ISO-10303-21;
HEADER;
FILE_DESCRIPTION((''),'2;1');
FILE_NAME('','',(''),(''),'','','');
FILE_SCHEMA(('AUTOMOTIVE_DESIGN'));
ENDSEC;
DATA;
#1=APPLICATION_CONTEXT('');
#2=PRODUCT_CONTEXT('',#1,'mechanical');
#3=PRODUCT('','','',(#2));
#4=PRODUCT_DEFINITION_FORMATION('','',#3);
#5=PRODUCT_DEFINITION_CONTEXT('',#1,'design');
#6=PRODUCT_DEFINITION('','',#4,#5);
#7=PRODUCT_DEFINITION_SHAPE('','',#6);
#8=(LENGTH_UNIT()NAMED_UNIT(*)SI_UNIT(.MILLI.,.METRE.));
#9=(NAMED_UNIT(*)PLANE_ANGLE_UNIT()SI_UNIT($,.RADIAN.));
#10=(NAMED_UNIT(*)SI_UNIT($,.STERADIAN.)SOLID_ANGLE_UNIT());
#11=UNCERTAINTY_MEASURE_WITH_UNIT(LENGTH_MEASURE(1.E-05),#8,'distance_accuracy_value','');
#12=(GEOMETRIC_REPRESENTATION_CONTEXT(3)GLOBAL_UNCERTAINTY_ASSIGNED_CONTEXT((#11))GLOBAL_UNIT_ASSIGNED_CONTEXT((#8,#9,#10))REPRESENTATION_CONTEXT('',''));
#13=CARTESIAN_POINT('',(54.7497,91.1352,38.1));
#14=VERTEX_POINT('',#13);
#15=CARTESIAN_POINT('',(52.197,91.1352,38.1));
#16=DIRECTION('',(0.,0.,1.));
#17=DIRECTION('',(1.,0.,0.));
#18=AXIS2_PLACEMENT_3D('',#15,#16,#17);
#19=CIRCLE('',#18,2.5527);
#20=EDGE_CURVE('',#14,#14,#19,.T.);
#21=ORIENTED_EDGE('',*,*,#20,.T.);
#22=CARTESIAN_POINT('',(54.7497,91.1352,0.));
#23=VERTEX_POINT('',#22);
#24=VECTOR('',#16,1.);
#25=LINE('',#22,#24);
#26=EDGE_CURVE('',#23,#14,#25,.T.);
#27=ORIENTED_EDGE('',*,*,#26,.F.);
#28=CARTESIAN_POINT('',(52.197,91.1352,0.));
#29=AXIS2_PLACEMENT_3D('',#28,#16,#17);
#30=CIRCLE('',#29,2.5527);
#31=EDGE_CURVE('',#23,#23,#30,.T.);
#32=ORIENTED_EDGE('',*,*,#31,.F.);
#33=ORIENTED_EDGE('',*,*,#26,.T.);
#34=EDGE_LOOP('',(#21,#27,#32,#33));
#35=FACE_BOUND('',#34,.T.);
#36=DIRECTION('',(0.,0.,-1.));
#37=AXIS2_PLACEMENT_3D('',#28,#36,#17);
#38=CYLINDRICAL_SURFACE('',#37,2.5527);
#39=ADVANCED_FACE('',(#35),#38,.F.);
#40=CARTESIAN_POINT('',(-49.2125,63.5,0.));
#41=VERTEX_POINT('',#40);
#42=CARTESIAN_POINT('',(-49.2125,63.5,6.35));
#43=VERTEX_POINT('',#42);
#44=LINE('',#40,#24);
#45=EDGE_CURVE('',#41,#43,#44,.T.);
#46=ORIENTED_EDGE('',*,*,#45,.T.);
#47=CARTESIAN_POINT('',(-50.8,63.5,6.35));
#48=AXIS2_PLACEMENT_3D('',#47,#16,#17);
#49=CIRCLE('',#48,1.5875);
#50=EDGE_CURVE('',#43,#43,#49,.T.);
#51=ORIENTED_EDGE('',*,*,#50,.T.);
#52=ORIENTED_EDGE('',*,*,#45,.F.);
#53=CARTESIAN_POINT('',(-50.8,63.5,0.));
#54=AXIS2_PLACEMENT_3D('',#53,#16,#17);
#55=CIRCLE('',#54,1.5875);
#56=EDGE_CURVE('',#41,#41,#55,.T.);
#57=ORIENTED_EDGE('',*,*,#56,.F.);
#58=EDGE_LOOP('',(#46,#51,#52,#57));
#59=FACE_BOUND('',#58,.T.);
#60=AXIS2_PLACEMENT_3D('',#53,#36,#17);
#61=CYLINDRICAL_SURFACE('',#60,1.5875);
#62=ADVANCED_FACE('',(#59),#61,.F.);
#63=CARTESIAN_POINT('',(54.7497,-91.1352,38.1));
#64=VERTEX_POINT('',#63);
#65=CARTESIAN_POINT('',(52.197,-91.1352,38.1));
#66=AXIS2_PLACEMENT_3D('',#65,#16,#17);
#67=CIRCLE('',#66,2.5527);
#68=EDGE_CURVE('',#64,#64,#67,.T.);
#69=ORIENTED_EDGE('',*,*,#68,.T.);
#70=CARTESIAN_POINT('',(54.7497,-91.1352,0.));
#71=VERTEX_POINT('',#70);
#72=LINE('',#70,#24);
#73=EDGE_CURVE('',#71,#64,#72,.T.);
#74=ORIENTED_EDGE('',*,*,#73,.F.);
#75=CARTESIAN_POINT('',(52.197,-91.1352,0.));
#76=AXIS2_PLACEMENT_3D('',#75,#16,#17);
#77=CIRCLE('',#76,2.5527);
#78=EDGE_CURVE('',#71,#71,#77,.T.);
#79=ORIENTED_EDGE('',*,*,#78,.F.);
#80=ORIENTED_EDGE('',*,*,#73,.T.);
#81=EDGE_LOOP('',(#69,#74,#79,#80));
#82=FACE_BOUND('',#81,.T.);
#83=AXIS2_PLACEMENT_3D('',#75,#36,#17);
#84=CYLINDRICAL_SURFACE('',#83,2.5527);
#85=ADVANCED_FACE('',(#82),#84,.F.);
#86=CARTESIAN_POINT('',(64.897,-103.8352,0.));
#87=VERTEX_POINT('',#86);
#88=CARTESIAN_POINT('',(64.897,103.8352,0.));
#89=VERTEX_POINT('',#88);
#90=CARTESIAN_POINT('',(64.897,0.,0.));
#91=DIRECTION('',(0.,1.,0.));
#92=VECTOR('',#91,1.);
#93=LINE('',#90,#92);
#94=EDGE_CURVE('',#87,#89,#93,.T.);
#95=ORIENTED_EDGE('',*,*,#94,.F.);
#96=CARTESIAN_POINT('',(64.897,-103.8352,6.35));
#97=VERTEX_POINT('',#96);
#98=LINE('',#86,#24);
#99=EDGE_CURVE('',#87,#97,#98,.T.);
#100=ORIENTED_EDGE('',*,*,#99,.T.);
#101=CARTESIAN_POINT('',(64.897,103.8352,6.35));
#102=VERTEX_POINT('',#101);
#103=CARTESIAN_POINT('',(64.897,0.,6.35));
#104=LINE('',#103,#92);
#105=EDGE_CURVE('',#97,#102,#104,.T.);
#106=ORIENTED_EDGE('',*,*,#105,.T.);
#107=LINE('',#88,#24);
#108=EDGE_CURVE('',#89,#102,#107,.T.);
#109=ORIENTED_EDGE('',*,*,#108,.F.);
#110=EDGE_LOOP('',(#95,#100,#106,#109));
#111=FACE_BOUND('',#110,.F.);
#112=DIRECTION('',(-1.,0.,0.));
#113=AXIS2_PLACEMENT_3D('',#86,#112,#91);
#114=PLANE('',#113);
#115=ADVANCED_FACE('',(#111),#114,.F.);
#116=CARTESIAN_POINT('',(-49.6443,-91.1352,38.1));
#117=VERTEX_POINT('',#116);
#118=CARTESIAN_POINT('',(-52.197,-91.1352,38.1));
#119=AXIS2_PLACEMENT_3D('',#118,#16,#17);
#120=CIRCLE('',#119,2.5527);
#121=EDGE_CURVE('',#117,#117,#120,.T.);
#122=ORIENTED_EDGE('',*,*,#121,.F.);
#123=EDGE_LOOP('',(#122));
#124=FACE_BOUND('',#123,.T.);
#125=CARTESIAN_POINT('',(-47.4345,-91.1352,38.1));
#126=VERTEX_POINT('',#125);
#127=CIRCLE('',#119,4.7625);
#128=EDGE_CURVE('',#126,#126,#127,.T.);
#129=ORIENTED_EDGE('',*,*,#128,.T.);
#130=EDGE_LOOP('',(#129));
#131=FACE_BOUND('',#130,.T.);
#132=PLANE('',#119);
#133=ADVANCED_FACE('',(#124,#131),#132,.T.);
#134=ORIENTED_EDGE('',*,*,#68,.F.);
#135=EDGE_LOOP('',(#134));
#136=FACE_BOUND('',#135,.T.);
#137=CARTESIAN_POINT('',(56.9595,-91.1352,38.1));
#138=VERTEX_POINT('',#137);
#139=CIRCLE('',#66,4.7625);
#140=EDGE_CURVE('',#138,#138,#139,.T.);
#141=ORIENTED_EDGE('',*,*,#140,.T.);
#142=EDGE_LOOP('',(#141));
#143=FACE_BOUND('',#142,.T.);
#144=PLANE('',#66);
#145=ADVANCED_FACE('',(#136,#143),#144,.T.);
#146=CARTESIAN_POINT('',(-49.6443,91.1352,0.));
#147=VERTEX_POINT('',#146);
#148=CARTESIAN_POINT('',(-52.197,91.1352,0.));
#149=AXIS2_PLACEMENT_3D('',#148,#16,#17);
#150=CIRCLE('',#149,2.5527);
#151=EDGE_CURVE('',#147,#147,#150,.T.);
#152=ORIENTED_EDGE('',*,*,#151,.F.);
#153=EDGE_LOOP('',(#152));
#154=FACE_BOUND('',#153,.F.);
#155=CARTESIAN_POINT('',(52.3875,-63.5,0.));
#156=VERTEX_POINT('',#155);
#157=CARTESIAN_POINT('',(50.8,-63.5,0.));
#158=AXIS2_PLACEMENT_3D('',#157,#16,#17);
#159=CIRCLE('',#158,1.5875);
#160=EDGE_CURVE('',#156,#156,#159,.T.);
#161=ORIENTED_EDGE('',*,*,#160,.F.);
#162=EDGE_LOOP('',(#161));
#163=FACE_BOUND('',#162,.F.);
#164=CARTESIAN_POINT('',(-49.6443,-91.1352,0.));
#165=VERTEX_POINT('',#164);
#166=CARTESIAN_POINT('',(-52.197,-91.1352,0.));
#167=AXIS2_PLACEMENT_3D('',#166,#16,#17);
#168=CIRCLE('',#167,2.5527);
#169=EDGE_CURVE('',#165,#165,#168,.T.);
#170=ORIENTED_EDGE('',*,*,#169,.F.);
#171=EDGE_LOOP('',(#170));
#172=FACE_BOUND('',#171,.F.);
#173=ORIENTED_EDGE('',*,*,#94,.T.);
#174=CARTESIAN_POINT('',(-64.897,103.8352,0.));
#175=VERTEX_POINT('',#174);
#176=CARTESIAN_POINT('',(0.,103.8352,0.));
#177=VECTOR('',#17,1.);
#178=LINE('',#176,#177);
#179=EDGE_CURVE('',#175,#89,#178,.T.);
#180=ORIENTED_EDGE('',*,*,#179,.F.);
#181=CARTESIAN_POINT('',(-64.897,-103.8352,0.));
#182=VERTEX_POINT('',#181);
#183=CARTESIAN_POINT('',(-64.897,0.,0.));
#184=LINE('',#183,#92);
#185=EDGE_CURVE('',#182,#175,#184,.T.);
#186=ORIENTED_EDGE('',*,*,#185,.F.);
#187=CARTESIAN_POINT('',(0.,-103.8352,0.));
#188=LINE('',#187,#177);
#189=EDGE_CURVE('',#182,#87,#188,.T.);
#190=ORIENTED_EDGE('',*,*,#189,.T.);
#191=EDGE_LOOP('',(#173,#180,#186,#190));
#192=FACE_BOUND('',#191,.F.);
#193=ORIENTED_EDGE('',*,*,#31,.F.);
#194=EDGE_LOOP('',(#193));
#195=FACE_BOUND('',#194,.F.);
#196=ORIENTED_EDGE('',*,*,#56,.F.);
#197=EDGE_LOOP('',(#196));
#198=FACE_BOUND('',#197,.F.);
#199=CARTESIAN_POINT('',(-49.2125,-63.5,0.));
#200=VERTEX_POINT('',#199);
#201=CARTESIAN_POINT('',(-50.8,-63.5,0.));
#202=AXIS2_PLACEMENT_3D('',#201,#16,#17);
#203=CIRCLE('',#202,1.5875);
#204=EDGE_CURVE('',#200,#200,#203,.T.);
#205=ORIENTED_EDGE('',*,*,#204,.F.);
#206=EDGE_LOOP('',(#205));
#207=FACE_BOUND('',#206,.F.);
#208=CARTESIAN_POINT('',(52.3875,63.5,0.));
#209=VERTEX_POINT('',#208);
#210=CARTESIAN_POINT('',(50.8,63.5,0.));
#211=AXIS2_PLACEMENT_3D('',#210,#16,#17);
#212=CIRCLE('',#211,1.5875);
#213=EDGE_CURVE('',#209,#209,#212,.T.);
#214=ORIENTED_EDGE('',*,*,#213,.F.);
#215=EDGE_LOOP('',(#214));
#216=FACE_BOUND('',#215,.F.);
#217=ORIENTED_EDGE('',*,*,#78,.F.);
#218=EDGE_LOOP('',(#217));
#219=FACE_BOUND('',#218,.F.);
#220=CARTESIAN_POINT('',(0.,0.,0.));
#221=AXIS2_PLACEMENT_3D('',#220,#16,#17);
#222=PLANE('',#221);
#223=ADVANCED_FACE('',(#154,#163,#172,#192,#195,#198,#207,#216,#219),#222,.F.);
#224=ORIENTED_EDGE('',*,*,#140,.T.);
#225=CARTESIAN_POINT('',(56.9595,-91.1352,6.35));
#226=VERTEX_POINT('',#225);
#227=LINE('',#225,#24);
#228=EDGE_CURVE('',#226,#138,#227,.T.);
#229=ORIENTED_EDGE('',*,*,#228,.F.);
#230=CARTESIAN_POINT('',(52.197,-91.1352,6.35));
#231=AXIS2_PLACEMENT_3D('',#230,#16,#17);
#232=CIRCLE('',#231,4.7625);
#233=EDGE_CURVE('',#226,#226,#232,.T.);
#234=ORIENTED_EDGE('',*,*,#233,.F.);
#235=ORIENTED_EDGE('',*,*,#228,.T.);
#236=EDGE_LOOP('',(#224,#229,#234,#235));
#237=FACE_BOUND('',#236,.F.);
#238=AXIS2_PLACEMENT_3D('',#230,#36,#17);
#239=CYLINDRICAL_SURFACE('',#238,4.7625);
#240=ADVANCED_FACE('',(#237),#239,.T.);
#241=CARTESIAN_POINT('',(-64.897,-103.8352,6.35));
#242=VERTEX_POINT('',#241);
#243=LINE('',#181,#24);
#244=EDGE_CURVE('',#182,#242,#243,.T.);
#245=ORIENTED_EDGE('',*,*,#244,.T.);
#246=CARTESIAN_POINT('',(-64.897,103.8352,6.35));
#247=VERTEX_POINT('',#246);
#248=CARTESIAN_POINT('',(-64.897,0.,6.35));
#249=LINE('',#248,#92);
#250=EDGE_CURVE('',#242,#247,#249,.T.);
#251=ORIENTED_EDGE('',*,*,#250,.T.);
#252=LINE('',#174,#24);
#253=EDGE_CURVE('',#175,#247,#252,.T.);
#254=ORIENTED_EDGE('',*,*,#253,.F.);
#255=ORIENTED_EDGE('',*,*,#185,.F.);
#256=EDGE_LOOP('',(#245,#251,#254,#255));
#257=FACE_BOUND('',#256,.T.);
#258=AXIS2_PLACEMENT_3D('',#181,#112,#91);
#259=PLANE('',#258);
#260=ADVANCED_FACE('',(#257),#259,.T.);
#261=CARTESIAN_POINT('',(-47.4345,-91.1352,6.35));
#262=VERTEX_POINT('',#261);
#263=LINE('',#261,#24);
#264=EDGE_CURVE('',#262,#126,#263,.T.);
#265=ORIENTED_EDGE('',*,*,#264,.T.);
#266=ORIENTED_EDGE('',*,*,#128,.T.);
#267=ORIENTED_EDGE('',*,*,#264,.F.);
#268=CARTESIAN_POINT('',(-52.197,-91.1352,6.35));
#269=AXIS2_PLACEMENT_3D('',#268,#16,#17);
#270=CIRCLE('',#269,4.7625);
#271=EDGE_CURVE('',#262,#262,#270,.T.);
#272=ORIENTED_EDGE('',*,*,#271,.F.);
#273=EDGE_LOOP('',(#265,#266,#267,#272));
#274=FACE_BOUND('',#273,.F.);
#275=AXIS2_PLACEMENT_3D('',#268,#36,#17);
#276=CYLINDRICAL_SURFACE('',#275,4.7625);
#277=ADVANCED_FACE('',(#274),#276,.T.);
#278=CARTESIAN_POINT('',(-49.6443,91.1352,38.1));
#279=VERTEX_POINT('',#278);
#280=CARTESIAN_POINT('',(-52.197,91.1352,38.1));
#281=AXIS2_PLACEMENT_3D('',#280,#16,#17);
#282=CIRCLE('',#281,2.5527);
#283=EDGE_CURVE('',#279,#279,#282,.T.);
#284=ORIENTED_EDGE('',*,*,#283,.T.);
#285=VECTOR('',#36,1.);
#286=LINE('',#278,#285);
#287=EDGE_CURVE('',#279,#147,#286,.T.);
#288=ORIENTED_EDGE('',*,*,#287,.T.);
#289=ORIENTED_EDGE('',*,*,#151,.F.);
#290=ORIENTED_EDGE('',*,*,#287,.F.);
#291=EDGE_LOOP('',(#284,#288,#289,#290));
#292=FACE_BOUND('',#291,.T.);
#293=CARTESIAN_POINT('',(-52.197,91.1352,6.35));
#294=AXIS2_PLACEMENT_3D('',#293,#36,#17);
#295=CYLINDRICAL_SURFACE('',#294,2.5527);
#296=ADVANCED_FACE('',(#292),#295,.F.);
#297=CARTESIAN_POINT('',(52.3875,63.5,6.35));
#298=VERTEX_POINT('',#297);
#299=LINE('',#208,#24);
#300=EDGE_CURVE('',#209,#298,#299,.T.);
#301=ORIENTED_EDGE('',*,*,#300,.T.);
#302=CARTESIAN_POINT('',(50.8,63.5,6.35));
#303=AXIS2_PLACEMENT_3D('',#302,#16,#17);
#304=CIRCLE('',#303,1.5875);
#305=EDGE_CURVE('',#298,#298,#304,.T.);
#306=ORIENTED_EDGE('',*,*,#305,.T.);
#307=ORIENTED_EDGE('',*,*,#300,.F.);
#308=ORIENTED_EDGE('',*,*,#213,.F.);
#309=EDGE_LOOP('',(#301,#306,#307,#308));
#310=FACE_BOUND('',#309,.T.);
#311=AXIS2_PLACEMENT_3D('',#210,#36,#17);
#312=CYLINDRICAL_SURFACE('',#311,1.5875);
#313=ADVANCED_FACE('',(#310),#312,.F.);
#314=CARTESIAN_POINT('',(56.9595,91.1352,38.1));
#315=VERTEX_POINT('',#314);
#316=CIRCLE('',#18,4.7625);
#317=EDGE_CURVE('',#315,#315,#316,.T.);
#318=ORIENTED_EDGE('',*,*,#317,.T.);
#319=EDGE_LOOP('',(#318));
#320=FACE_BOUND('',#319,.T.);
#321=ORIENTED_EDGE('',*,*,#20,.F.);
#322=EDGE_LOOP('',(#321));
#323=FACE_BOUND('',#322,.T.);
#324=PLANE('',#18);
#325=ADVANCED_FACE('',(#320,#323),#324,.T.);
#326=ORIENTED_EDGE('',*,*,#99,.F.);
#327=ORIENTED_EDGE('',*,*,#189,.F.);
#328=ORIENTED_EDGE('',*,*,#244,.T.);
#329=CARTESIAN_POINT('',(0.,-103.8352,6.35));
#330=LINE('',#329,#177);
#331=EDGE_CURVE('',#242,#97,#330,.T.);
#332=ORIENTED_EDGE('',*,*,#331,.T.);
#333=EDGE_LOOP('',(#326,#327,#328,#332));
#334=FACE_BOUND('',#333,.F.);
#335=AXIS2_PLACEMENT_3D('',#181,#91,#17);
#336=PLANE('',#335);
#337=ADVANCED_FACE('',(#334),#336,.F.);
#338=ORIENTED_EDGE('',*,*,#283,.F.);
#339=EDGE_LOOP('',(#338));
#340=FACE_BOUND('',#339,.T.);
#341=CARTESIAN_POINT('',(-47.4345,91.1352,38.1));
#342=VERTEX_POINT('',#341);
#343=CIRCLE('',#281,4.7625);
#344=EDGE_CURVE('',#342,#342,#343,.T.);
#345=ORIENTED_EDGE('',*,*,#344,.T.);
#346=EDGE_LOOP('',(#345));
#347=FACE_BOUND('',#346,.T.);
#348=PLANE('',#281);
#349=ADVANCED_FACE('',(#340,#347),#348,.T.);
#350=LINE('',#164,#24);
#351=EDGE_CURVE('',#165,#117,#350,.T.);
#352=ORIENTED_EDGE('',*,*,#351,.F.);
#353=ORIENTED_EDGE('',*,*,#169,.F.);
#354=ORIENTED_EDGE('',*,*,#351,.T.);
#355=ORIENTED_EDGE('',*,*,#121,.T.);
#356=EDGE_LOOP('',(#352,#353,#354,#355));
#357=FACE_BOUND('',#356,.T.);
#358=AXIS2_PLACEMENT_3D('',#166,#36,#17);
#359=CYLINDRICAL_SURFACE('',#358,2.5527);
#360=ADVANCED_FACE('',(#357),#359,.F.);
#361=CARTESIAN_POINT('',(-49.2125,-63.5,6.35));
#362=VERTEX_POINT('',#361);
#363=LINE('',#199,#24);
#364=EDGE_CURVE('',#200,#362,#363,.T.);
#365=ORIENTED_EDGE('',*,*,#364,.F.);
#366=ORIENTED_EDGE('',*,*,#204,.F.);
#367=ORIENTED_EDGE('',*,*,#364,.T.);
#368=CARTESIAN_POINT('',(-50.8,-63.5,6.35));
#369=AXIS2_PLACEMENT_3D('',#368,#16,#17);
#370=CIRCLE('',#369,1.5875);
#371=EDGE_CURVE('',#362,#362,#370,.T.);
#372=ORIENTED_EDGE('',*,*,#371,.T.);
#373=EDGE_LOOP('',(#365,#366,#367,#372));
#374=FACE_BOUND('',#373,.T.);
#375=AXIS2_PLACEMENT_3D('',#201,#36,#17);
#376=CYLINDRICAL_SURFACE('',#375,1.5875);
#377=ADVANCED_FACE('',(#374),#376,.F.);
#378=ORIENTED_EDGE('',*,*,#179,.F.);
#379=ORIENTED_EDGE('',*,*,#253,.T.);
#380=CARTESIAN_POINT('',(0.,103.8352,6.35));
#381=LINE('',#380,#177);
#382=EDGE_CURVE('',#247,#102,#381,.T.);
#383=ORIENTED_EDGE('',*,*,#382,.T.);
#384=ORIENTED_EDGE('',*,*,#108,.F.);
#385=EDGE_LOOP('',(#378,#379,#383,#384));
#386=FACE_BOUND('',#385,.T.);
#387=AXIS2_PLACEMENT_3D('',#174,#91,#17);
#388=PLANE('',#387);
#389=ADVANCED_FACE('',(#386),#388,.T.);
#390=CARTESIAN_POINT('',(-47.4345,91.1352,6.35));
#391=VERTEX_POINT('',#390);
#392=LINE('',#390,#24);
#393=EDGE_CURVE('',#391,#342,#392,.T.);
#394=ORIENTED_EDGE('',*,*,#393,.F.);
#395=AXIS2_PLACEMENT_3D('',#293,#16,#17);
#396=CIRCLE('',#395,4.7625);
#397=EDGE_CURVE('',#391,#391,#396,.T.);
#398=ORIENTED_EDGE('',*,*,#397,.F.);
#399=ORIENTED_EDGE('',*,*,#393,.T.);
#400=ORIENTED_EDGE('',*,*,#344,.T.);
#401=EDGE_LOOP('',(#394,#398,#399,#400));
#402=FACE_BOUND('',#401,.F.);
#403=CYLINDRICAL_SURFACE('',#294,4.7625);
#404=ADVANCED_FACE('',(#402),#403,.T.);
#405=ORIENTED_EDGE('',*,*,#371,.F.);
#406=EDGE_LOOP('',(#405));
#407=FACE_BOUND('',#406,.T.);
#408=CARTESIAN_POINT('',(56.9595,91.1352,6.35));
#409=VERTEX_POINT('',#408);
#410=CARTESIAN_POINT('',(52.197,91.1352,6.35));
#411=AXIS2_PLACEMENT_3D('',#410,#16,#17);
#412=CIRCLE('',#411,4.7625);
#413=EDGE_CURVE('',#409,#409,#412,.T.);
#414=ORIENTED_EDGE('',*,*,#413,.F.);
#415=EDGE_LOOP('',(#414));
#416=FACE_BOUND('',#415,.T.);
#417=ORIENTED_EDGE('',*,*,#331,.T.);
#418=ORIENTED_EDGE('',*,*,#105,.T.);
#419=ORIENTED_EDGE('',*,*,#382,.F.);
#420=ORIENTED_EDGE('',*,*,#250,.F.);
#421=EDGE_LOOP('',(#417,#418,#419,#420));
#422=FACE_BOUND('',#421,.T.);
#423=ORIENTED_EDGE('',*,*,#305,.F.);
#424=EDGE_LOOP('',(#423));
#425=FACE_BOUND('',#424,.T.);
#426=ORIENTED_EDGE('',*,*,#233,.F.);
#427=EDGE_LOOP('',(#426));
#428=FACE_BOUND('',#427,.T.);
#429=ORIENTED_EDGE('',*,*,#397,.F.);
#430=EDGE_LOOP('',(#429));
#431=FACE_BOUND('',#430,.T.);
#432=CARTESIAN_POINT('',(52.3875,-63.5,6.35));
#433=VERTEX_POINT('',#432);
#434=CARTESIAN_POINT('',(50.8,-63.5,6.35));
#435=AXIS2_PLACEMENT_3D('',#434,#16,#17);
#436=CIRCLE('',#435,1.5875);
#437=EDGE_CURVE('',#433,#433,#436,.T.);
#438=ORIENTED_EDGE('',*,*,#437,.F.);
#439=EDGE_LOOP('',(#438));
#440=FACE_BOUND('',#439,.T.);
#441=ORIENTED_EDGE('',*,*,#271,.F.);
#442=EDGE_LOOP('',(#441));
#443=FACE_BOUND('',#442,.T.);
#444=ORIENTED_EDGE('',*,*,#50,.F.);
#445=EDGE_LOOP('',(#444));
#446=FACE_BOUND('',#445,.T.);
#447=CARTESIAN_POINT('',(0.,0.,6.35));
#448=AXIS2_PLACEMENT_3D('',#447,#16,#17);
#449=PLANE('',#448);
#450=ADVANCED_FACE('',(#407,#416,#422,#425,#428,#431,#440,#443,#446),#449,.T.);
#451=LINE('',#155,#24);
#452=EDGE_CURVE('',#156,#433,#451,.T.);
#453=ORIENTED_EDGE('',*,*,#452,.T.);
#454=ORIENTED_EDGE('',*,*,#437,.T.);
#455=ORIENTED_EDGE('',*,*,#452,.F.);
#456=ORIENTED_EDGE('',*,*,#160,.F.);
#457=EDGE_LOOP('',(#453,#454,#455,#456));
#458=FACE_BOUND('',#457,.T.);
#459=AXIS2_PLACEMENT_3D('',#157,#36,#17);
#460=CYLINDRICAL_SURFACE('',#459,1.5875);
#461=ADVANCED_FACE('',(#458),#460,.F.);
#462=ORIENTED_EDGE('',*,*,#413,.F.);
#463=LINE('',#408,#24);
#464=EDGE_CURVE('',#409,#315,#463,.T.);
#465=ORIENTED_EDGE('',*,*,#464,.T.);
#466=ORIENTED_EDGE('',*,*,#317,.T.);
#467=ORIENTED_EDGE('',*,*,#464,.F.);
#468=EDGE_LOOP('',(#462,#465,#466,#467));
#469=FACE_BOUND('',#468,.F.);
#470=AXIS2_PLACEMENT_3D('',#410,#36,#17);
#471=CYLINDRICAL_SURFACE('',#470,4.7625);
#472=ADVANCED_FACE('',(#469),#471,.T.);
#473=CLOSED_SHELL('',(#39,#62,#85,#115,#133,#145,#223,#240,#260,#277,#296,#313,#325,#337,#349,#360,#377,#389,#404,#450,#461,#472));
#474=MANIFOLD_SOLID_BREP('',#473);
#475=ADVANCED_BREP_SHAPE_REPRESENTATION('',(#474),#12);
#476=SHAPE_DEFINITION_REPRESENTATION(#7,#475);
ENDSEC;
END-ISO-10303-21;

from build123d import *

# Parameters (mm, degrees)
F0_W     = 129.794
F0_H     = 207.6704
F0_R     = 2.5527
F0_R_2   = 1.5875
F1_DEPTH = 6.35
F2_R     = 4.7625
F2_R_2   = 2.5527
F3_DEPTH = 31.75


with BuildPart() as f1:
    # F0 (on Top) → F1 (new body)
    with BuildSketch(Plane.XY):
        Rectangle(F0_W, F0_H)
        with Locations((-52.197, -91.1352)):
            Circle(F0_R, mode=Mode.SUBTRACT)
        with Locations((-50.8, -63.5)):
            Circle(F0_R_2, mode=Mode.SUBTRACT)
        with Locations((52.197, -91.1352)):
            Circle(F0_R, mode=Mode.SUBTRACT)
        with Locations((50.8, -63.5)):
            Circle(F0_R_2, mode=Mode.SUBTRACT)
        with Locations((-50.8, 63.5)):
            Circle(F0_R_2, mode=Mode.SUBTRACT)
        with Locations((-52.197, 91.1352)):
            Circle(F0_R, mode=Mode.SUBTRACT)
        with Locations((50.8, 63.5)):
            Circle(F0_R_2, mode=Mode.SUBTRACT)
        with Locations((52.197, 91.1352)):
            Circle(F0_R, mode=Mode.SUBTRACT)
    extrude(amount=F1_DEPTH)

    # F2 (on face) → F3 (join)
    with BuildSketch(Plane.XY.offset(6.35)):
        with Locations((-52.197, 91.1352)):
            Circle(F2_R)
        with Locations((-52.197, 91.1352)):
            Circle(F2_R_2, mode=Mode.SUBTRACT)
        with Locations((52.197, 91.1352)):
            Circle(F2_R)
        with Locations((52.197, 91.1352)):
            Circle(F2_R_2, mode=Mode.SUBTRACT)
        with Locations((52.197, -91.1352)):
            Circle(F2_R)
        with Locations((52.197, -91.1352)):
            Circle(F2_R_2, mode=Mode.SUBTRACT)
        with Locations((-52.197, -91.1352)):
            Circle(F2_R)
        with Locations((-52.197, -91.1352)):
            Circle(F2_R_2, mode=Mode.SUBTRACT)
    extrude(amount=F3_DEPTH)


solid = f1.part
